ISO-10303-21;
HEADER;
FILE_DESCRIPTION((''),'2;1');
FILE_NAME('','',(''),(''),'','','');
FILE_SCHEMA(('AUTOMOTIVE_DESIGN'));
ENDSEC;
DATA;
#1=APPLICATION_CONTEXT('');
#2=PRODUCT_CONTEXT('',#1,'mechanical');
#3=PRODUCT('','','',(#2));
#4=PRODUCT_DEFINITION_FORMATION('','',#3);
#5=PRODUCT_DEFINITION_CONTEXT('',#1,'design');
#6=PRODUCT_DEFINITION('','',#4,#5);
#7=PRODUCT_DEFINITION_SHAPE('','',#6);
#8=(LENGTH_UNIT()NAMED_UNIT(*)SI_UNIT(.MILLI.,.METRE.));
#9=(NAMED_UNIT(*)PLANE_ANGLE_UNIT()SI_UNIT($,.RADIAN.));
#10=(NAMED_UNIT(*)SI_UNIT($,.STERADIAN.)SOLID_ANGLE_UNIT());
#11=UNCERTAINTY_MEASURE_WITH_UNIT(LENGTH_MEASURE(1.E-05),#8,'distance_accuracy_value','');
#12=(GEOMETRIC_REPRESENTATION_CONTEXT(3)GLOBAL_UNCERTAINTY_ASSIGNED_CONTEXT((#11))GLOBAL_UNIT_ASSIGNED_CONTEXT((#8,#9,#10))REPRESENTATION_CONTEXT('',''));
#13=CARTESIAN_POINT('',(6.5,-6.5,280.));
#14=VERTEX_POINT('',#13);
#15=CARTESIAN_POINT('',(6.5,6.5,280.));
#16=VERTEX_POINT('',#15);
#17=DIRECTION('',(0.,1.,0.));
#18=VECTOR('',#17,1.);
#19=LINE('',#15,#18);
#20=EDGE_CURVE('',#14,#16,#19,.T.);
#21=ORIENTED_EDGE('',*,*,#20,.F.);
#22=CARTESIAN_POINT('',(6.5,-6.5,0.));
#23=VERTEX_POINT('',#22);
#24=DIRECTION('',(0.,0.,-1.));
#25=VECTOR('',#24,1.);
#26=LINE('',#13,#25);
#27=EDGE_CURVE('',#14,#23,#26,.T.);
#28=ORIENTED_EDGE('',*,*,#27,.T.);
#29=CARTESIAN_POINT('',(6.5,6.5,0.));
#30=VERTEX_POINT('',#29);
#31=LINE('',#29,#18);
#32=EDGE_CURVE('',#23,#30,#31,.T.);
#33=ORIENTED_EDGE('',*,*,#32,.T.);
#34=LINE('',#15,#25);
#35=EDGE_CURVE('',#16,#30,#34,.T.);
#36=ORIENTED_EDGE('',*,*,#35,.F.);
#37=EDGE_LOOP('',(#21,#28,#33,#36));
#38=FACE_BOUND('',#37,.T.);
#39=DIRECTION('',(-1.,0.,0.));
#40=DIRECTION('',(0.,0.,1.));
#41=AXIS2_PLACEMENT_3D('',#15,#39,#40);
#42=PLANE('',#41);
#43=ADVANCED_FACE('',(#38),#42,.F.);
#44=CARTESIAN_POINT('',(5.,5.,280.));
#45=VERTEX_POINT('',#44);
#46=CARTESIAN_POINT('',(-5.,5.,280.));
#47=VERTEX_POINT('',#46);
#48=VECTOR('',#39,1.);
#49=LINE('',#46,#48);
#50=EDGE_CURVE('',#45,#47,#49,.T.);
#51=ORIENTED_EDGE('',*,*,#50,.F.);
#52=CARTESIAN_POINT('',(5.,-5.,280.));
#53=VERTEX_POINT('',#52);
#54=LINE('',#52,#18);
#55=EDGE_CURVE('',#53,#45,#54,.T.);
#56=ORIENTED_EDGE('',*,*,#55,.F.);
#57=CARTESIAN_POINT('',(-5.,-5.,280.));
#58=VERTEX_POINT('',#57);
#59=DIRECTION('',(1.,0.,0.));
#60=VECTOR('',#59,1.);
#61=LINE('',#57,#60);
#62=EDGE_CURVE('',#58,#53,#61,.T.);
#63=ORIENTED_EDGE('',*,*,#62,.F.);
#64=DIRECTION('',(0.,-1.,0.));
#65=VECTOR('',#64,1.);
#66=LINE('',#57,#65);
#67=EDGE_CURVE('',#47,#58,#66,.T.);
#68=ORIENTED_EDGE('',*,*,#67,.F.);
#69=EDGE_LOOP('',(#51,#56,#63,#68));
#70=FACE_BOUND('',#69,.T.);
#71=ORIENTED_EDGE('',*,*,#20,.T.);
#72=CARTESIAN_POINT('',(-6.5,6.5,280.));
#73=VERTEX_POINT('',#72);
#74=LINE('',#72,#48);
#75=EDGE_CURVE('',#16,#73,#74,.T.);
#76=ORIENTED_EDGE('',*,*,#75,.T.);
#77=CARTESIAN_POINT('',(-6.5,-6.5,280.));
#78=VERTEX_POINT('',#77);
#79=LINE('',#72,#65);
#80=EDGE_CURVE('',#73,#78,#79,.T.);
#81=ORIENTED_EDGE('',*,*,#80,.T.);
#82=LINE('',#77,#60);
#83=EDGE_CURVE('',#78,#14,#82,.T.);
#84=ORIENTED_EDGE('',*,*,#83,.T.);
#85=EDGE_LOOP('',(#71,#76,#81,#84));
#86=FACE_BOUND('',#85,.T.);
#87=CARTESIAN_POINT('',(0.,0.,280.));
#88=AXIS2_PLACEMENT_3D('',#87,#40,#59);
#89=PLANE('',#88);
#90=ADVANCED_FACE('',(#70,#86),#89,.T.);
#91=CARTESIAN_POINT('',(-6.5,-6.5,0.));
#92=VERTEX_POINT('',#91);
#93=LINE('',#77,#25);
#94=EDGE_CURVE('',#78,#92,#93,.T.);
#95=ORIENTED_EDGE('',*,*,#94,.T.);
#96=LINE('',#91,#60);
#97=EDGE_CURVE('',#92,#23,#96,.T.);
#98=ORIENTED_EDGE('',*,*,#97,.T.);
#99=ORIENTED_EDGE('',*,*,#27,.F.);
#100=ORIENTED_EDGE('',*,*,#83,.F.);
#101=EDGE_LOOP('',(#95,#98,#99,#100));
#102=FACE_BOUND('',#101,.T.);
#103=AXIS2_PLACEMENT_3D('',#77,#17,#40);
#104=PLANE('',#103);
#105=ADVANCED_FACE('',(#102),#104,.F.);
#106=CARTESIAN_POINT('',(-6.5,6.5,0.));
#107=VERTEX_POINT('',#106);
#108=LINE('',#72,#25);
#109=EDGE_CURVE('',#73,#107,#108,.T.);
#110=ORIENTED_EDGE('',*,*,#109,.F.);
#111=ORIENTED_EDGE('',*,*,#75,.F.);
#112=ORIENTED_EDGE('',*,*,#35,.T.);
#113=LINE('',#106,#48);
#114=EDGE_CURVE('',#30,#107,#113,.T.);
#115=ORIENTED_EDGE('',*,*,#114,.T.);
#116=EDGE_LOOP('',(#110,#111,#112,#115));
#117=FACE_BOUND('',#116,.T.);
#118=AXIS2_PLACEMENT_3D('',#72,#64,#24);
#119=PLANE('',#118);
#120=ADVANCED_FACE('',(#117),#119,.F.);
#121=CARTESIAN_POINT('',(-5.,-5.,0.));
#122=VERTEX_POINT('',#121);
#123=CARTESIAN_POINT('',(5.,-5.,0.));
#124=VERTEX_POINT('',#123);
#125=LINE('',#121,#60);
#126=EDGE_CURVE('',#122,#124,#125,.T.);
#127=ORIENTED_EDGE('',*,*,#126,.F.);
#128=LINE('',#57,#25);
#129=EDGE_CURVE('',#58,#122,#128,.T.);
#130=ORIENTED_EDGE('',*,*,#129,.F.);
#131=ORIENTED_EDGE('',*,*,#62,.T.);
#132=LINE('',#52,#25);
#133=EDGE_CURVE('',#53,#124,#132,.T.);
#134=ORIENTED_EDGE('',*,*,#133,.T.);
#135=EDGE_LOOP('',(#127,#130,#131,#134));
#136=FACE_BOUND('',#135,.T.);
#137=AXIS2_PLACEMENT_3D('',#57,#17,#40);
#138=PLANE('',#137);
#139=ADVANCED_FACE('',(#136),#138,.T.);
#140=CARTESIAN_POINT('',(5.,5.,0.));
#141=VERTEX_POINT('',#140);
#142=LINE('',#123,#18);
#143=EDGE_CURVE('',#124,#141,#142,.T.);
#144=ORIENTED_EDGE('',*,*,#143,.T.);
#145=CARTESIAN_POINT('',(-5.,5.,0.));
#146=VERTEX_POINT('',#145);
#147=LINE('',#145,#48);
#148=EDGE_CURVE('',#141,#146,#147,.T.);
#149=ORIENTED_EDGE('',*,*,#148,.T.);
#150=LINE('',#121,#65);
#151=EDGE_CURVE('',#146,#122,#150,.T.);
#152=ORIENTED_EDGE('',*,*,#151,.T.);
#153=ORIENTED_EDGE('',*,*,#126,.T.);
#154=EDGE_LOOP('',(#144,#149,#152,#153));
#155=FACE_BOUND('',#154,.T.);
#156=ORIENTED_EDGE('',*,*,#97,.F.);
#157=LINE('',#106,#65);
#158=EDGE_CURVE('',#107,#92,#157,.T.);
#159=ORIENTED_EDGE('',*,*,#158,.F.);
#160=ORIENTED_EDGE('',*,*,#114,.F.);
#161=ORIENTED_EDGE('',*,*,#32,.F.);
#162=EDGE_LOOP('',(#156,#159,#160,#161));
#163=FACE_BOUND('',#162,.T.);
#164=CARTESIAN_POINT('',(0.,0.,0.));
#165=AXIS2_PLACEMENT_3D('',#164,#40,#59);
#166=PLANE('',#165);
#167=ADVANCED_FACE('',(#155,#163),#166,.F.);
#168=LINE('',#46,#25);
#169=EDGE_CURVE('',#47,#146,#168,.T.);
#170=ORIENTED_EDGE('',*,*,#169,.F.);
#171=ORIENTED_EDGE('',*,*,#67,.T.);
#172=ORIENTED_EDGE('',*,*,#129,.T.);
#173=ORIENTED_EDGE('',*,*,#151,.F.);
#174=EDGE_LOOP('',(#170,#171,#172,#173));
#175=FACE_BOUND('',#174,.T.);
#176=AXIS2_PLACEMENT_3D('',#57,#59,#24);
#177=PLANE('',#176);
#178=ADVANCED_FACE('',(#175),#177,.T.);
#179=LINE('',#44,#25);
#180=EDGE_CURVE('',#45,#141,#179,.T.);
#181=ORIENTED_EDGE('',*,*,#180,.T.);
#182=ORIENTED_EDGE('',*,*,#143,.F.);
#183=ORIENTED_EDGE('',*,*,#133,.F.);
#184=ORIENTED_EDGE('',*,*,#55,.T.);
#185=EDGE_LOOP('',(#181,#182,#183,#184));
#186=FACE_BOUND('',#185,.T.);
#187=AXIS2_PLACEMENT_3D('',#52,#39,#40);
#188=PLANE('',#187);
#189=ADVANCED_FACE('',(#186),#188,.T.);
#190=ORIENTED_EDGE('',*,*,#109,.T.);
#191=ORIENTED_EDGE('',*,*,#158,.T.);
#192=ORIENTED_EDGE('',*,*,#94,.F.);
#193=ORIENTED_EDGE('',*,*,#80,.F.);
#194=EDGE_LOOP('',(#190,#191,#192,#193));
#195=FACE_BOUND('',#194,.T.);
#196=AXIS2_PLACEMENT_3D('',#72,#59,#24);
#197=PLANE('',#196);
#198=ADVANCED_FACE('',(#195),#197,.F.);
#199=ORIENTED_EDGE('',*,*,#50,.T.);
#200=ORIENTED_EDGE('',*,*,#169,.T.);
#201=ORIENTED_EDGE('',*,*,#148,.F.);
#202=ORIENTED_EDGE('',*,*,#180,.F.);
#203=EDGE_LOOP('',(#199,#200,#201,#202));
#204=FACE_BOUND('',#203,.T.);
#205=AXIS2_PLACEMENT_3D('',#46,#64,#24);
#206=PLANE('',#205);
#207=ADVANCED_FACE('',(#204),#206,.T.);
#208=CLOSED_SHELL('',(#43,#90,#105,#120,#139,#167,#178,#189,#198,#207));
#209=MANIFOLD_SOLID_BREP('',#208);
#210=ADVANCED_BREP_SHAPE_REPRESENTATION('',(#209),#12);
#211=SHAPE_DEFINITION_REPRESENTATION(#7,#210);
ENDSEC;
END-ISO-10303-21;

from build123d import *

# Parameters (mm, degrees)
SKETCH1_W           = 13
SKETCH1_H           = 13
SKETCH1_W_2         = 10
SKETCH1_H_2         = 10
BOSS_EXTRUDE1_DEPTH = 280


with BuildPart() as part:
    # Sketch1 → Boss-Extrude1 (new body)
    with BuildSketch(Plane.XY):
        Rectangle(SKETCH1_W, SKETCH1_H)
        Rectangle(SKETCH1_W_2, SKETCH1_H_2, mode=Mode.SUBTRACT)
    extrude(amount=BOSS_EXTRUDE1_DEPTH)


solid = part.part
